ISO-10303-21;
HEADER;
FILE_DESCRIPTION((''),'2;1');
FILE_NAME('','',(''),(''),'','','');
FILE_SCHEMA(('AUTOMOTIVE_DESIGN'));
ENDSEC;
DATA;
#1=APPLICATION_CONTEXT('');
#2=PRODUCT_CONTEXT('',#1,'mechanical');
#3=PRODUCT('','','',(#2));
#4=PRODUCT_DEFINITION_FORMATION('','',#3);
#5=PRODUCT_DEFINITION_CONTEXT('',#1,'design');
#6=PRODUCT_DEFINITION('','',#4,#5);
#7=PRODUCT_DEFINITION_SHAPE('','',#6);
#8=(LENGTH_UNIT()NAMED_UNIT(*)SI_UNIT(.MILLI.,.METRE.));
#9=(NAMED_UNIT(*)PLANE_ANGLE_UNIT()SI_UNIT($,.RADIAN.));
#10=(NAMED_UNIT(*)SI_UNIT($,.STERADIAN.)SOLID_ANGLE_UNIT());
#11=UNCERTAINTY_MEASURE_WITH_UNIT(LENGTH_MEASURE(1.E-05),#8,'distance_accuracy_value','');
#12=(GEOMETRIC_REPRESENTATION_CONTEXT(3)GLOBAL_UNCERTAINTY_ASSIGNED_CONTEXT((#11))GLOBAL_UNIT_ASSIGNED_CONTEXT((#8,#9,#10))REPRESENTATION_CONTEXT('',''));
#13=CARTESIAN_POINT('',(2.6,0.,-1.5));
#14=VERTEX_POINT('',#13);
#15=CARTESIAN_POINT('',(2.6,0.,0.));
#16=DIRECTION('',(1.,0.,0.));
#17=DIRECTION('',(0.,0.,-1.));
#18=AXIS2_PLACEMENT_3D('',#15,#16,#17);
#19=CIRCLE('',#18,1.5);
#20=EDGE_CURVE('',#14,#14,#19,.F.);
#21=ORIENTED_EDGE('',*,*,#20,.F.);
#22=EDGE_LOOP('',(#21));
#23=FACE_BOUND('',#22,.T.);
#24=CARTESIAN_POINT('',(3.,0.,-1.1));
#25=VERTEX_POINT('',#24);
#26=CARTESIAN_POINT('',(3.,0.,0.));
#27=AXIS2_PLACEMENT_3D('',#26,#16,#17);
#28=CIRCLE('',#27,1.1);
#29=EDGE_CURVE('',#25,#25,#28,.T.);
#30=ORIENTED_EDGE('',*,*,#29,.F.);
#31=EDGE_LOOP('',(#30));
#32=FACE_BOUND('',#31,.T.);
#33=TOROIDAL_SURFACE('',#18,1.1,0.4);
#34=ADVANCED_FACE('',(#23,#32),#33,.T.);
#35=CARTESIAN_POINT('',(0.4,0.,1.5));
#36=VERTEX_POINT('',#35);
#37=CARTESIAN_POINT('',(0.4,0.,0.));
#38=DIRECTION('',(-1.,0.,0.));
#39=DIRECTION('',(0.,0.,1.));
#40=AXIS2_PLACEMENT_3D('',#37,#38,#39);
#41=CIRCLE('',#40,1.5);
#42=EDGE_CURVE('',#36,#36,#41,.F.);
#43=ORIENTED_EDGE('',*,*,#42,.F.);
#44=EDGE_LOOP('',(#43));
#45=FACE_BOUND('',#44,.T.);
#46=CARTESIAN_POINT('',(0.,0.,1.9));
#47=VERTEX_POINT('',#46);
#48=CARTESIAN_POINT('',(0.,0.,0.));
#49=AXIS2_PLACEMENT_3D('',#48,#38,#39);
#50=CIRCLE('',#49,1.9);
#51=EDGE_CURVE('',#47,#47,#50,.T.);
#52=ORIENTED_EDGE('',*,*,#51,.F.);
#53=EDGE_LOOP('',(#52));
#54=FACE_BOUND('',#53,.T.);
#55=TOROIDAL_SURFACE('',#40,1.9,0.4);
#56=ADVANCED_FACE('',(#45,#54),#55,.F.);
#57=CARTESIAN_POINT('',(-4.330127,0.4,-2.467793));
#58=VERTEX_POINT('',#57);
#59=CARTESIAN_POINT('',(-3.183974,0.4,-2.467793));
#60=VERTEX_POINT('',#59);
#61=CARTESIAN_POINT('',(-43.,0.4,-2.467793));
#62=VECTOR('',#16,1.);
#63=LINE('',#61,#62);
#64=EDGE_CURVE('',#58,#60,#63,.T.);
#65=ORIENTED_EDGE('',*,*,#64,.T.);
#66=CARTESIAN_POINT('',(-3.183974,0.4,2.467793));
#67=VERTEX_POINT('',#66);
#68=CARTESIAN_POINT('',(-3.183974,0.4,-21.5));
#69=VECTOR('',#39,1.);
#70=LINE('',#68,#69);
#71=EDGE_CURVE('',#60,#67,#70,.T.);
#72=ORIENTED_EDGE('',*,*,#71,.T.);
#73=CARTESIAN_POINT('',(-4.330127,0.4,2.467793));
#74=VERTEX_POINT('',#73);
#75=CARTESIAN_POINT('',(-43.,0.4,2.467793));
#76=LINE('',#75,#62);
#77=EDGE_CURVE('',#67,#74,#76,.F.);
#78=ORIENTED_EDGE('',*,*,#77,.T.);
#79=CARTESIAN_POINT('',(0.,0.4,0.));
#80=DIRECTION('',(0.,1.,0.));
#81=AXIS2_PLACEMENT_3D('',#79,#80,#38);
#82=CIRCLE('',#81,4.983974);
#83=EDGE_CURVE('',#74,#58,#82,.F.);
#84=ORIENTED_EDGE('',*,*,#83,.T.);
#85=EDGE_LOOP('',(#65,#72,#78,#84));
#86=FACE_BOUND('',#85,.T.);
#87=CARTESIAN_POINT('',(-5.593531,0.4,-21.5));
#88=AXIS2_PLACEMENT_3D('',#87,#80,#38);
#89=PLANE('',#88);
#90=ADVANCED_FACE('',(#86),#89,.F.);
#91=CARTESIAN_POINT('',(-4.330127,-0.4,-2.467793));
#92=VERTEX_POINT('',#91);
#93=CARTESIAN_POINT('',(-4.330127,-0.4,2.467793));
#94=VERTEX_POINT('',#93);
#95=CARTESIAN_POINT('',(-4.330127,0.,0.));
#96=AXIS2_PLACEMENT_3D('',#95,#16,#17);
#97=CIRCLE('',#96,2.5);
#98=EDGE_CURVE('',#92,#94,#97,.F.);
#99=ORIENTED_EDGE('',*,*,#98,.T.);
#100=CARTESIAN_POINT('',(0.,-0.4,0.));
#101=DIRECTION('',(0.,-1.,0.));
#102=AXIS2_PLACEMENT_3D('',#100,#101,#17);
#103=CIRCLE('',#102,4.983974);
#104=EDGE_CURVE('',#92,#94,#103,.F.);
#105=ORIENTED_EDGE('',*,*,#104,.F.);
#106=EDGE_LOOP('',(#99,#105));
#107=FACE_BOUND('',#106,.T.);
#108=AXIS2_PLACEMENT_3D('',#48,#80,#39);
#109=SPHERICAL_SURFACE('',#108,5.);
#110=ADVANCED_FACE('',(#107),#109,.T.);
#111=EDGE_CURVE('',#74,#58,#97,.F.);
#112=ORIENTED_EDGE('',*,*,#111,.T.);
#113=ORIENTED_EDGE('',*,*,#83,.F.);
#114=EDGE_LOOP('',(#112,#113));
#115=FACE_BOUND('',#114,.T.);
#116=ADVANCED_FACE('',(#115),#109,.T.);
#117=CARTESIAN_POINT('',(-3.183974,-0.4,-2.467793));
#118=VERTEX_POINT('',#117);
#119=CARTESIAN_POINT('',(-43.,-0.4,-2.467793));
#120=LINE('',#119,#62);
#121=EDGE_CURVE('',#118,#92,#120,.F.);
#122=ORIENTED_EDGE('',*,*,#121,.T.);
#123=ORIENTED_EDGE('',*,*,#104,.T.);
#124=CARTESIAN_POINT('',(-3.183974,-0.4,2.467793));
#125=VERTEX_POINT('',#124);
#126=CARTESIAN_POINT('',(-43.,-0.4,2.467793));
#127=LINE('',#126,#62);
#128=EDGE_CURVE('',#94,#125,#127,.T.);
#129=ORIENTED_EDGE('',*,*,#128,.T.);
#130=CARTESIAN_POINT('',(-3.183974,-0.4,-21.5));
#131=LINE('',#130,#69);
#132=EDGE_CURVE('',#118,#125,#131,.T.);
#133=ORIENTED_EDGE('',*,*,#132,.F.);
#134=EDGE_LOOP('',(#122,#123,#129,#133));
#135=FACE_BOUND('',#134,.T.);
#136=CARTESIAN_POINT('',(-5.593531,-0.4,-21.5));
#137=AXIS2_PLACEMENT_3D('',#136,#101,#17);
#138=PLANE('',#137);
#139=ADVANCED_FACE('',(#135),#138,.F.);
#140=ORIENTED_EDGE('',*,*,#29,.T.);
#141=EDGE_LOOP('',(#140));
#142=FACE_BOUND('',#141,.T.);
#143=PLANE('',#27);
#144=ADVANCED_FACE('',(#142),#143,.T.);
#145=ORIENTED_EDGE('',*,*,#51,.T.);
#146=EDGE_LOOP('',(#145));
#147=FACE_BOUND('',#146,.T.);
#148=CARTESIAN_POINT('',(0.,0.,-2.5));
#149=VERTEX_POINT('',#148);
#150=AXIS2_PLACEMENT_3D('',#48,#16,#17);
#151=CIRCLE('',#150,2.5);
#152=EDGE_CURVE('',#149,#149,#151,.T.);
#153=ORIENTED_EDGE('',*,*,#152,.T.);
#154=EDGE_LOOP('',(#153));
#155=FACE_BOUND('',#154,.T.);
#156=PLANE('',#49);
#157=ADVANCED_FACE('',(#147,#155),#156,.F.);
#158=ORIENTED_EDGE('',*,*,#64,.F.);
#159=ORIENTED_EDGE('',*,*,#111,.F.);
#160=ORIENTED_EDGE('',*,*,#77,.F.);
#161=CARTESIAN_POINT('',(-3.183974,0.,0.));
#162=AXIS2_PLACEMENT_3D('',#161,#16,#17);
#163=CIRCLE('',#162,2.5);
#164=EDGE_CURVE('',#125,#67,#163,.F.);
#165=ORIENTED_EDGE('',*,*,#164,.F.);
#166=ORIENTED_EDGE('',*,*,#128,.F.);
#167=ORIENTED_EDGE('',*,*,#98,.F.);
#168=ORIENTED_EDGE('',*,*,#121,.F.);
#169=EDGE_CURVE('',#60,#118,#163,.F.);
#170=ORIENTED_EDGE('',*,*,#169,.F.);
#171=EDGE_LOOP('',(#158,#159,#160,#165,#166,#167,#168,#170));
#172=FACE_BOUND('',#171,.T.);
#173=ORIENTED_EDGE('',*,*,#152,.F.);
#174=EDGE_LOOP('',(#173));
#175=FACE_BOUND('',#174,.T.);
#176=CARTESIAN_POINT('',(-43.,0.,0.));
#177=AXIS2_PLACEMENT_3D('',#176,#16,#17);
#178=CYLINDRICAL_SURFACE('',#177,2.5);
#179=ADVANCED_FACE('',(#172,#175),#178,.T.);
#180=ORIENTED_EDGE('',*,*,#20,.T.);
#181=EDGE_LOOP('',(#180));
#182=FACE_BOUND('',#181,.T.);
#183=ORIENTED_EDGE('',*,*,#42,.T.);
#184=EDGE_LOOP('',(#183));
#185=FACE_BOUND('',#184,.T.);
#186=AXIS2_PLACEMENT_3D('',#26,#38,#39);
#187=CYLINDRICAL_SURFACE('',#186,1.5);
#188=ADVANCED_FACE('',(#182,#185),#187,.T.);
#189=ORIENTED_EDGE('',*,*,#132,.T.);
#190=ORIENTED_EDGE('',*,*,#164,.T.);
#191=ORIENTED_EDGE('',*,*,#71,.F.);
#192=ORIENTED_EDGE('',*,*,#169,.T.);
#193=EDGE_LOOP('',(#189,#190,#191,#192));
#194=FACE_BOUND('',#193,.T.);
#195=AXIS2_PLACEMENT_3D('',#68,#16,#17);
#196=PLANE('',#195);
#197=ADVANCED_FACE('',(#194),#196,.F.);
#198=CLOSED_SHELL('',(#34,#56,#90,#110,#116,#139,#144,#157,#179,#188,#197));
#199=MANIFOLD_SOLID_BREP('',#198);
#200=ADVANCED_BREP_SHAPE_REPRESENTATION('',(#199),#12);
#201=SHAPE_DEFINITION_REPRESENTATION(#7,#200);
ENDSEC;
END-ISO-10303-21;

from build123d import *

# Parameters (mm, degrees)
REVOLVE_1_ANGLE     = 180
SKETCH_2_R          = 1.5
EXTRUDE_1_DEPTH     = 3
FILLET_1_R          = 0.4
SKETCH_3_OUTSIDE_W  = 15.25
SKETCH_3_OUTSIDE_H  = 15.25
SKETCH_3_OUTSIDE_R  = 2.5
CUT_EXTRUDE_1_DEPTH = 43
SKETCH_4_W          = 2.409556496
SKETCH_4_H          = 0.8
CUT_EXTRUDE_2_DEPTH = 21.5


with BuildPart() as part:
    # 草图1 → 旋转1 (revolve)
    with BuildSketch(Plane(origin=(0, 0, 0), x_dir=(0, 0, -1), z_dir=(1, 0, 0))):
        with BuildLine():
            Line((0, 5), (0, -5))
            ThreePointArc((0, -5), (-5, 0), (0, 5))
        make_face()
    revolve(axis=Axis((0, 5, 0), (0, -1, 0)), revolution_arc=REVOLVE_1_ANGLE)

    # 草图2 → 凸台-拉伸1 (add)
    with BuildSketch(Plane(origin=(0, 0, 0), x_dir=(0, 0, -1), z_dir=(1, 0, 0))):
        with Locations(Location((0, 0, 0), (0, 0, 180))):
            Circle(SKETCH_2_R)
    extrude(amount=EXTRUDE_1_DEPTH)

    # 圆角1
    fillet_1_edges = [part.edges().sort_by_distance(p)[0] for p in [
        (0, 0, -1.5),
        (3, 0, -1.5),
    ]]
    fillet(fillet_1_edges, radius=FILLET_1_R)

    # 草图3 outside → 切除-拉伸1 (cut)
    with BuildSketch(Plane(origin=(0, 0, 0), x_dir=(0, 0, -1), z_dir=(1, 0, 0))):
        Rectangle(SKETCH_3_OUTSIDE_W, SKETCH_3_OUTSIDE_H)
        Circle(SKETCH_3_OUTSIDE_R, mode=Mode.SUBTRACT)
    extrude(amount=-CUT_EXTRUDE_1_DEPTH, mode=Mode.SUBTRACT)

    # 草图4 → 切除-拉伸2 (cut, symmetric)
    with BuildSketch(Plane.XY):
        with Locations((-4.388752566, 0)):
            Rectangle(SKETCH_4_W, SKETCH_4_H)
    extrude(amount=CUT_EXTRUDE_2_DEPTH, both=True, mode=Mode.SUBTRACT)


solid = part.part
